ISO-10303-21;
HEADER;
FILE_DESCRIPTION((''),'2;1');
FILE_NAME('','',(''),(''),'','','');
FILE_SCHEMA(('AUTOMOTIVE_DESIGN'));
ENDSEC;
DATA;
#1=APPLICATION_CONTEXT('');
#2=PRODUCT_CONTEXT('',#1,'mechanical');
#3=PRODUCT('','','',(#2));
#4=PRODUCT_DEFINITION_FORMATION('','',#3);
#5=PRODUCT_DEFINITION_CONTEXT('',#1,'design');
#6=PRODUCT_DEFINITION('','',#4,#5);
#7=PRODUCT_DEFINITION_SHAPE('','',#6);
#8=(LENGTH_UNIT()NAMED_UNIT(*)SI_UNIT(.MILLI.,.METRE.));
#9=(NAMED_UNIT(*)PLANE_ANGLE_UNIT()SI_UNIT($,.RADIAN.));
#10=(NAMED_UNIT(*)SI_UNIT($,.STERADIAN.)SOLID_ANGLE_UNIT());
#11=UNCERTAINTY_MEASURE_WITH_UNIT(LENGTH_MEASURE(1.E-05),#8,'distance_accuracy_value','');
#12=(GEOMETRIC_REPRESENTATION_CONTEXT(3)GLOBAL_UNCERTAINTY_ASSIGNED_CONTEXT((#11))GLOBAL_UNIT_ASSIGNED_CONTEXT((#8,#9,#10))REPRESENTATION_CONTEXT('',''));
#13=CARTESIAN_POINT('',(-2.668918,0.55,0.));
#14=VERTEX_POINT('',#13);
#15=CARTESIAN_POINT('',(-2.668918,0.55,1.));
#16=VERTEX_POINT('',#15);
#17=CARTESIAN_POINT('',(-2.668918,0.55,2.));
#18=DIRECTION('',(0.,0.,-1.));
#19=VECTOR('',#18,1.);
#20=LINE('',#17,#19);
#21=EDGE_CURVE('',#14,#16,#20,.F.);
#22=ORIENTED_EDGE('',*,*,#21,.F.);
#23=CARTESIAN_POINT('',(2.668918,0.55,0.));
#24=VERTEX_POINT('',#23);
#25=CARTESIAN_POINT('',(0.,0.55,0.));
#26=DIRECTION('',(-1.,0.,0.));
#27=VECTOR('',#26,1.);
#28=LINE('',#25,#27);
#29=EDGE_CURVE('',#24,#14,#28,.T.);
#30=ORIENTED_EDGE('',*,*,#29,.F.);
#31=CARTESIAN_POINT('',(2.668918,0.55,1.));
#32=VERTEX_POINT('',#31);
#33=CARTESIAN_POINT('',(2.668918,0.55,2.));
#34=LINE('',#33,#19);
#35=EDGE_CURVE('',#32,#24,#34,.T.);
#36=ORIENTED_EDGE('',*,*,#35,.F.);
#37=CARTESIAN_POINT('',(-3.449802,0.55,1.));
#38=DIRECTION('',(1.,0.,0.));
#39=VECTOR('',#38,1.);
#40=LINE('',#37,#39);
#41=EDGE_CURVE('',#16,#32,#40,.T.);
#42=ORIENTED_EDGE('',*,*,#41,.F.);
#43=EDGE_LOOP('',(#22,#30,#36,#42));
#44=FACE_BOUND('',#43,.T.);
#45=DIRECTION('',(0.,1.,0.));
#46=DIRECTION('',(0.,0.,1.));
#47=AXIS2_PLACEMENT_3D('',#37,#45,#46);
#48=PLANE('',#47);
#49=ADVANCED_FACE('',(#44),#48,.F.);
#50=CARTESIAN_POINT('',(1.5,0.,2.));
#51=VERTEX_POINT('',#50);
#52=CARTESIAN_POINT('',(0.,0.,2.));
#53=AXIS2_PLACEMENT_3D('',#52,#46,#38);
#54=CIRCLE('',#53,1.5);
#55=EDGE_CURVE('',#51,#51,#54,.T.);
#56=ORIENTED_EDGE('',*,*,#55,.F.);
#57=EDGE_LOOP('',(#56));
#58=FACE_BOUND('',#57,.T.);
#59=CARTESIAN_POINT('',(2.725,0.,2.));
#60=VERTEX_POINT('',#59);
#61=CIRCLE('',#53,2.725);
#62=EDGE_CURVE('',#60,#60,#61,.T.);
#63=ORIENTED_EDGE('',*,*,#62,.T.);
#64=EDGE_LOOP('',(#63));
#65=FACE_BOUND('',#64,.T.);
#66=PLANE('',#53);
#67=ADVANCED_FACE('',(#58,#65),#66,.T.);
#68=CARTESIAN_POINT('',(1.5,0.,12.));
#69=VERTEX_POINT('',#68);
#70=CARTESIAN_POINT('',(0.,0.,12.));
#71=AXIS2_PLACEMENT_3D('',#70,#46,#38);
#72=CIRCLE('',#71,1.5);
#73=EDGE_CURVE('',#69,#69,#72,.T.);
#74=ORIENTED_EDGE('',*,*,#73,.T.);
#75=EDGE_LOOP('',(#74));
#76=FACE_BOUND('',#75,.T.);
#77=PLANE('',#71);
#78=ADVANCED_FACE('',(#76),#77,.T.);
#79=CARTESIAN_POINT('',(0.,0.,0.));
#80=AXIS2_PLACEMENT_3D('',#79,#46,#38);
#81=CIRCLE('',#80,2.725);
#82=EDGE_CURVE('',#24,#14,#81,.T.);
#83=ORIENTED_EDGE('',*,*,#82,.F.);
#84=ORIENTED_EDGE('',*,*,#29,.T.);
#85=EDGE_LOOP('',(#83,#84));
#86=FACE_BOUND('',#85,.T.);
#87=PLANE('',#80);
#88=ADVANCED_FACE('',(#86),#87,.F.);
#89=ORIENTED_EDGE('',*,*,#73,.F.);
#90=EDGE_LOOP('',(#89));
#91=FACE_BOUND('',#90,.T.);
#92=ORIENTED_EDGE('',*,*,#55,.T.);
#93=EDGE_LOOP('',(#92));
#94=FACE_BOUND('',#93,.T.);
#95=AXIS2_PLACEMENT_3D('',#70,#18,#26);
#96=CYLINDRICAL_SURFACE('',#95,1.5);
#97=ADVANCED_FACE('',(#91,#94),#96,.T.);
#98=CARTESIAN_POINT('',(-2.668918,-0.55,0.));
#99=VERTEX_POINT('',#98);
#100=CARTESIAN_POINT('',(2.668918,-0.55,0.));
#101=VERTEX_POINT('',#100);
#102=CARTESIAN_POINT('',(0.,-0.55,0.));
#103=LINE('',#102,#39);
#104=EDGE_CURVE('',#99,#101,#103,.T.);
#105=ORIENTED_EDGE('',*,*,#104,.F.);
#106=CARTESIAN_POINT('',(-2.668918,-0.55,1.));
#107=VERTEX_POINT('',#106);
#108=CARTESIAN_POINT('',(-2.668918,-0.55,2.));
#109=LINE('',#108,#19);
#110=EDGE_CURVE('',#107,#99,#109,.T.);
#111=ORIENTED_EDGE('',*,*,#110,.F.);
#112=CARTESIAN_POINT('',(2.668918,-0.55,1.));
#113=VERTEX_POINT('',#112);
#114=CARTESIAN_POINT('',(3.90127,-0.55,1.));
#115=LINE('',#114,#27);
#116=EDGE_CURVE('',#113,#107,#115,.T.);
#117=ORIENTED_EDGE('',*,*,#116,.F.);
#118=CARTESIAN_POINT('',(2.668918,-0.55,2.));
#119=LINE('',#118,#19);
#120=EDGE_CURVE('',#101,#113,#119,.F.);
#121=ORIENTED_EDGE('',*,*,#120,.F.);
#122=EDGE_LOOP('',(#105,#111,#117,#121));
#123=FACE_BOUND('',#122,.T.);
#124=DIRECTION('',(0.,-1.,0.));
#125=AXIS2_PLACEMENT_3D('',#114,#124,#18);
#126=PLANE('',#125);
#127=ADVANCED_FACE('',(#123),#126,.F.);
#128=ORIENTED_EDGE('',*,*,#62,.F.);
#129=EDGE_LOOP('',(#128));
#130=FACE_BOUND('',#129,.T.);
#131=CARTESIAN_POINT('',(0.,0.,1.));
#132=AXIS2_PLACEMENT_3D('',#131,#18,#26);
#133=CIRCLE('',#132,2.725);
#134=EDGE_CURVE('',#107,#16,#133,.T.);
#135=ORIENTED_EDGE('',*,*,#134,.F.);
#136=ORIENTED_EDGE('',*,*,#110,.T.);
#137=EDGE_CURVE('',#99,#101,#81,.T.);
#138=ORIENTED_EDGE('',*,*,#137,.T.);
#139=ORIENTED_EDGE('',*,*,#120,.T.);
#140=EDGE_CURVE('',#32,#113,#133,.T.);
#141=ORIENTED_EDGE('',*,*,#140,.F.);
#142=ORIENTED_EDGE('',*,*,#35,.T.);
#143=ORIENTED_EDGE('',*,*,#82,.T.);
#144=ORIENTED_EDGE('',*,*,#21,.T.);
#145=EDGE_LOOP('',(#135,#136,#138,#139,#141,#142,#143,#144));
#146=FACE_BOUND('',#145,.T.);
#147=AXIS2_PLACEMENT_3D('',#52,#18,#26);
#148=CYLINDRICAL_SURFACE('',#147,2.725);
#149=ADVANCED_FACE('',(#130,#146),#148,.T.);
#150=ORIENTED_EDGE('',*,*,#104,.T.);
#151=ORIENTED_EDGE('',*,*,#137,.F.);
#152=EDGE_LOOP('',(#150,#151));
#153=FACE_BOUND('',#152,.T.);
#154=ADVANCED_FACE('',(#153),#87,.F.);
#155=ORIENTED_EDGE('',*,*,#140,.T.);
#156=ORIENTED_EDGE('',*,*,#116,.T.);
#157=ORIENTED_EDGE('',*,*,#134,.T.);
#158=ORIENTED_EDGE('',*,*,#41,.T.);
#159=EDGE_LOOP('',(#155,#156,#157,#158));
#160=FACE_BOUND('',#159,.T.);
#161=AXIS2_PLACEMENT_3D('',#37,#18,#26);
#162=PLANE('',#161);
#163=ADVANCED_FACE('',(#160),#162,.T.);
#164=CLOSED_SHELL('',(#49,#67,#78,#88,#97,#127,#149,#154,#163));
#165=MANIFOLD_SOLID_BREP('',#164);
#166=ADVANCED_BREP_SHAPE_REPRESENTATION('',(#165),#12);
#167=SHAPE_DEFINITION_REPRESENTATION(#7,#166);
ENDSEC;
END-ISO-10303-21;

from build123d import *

# Parameters (mm, degrees)
SKETCH1_R          = 2.725
EXTRUDE1_DEPTH     = 2
CUT_EXTRUDE1_DEPTH = 1
SKETCH3_R          = 1.5
EXTRUDE2_DEPTH     = 10


with BuildPart() as part:
    # Sketch1 → Extrude1 (new body)
    with BuildSketch(Plane.XY):
        Circle(SKETCH1_R)
    extrude(amount=EXTRUDE1_DEPTH)

    # Sketch2 → Cut-Extrude1 (cut)
    with BuildSketch(Plane(origin=(0, 0, 0), x_dir=(-1, 0, 0), z_dir=(0, 0, -1))):
        Polygon((3.449801909, 0), (3.449801909, 0.55), (-3.901269584, 0.55), (-3.901269584, -0.55), (3.449801909, -0.55), align=None)
    extrude(amount=-CUT_EXTRUDE1_DEPTH, mode=Mode.SUBTRACT)

    # Sketch3 → Extrude2 (add)
    with BuildSketch(Plane.XY.offset(2)):
        Circle(SKETCH3_R)
    extrude(amount=EXTRUDE2_DEPTH)


solid = part.part
